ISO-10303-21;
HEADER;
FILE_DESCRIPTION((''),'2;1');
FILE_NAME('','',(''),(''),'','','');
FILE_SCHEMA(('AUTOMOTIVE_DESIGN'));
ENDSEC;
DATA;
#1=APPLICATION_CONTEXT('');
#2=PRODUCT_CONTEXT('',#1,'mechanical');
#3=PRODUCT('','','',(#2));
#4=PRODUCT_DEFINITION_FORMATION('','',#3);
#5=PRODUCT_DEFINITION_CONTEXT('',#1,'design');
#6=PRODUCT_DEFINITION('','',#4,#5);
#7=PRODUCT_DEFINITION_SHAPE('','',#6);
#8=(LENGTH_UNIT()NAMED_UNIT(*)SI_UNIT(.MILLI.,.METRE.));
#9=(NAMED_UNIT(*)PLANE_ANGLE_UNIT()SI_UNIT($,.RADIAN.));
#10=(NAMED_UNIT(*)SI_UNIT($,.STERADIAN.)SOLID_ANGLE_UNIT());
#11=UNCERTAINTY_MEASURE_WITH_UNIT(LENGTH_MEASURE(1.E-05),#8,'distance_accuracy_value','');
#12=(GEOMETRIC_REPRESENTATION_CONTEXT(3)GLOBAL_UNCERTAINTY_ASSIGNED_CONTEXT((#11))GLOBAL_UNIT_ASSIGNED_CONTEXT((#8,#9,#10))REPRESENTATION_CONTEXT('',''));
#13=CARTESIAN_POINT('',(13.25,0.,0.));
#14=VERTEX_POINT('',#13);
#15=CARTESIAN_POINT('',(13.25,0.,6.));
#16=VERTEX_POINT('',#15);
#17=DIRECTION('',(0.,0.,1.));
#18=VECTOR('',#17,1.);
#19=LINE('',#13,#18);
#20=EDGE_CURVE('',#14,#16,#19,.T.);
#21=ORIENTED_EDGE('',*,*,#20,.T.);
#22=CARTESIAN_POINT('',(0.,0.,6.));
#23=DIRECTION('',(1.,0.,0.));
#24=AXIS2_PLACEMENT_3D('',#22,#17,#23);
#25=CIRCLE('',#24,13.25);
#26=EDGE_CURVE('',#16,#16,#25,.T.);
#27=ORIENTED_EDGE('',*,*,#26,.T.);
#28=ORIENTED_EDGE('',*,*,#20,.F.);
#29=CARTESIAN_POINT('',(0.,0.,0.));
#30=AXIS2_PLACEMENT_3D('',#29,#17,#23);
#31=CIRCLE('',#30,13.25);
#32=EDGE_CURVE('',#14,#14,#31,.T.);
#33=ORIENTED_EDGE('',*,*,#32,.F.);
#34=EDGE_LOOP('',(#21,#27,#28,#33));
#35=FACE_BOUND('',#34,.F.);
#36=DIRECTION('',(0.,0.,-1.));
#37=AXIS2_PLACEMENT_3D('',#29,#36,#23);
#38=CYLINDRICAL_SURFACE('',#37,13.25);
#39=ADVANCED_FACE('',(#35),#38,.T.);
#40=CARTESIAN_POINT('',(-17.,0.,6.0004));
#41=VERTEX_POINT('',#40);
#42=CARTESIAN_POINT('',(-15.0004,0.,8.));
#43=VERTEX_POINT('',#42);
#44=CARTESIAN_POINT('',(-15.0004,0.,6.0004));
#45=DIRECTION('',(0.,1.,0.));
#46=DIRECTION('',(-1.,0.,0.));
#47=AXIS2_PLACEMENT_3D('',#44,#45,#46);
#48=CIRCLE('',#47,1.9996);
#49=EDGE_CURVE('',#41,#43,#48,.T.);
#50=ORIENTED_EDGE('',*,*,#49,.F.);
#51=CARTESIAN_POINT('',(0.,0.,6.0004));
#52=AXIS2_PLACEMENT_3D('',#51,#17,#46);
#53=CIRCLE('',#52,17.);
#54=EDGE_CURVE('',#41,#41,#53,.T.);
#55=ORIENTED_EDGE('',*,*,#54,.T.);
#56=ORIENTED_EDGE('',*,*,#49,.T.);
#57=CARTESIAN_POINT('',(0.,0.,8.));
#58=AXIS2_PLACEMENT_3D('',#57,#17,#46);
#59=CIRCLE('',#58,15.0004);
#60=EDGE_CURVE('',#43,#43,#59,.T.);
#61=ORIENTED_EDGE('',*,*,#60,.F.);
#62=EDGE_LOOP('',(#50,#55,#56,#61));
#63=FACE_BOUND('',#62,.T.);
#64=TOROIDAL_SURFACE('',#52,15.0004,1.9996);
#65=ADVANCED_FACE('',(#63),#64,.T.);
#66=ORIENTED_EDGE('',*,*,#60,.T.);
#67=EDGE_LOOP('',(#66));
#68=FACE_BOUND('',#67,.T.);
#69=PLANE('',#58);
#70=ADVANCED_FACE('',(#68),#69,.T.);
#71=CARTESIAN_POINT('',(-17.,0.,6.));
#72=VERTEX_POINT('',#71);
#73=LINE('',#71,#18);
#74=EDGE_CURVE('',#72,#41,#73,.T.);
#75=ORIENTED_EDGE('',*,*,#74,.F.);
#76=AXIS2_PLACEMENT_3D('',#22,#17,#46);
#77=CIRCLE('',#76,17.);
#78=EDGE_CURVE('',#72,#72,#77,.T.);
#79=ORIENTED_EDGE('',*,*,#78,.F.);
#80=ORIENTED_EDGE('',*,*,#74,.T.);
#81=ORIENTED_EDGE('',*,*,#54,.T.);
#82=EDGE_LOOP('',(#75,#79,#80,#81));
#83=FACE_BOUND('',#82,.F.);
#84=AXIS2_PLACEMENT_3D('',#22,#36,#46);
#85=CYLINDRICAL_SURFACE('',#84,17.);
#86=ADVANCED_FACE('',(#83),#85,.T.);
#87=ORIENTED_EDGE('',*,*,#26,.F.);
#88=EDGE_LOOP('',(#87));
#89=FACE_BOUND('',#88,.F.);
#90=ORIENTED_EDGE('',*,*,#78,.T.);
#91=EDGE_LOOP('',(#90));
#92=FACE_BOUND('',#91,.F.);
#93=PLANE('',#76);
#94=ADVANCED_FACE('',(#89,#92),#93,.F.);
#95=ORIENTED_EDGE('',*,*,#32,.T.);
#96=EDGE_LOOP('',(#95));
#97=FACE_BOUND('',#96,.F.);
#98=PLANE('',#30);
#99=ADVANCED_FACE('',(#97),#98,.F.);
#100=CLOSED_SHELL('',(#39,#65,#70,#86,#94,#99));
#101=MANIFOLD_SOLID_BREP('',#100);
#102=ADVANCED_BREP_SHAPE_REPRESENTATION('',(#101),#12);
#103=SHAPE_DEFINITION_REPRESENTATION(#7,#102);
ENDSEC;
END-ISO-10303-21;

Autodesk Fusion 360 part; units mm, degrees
sketch "Skizze1" plane through (0, 0, 0) normal (0, 0, 1) x (1, 0, 0)
  circle A0 centre (0, 0) radius 13.25
  dimension "d1" = 26.5
extrude "Extrusion1" add sketch "Skizze1" along normal blind 6
sketch "Skizze2" plane through (0, 0, 6) normal (0, 0, 1) x (-1, 0, 0)
  circle A0 centre (0, 0) radius 13.25
  circle A1 centre (0, 0) radius 17
  dimension "d4" = 34
extrude "Extrusion2" add sketch "Skizze2" along normal blind 2 contours A0 | A1
fillet "Abrundung1" radius 2 1 edges at (15.8496, 6.1475, 8)
